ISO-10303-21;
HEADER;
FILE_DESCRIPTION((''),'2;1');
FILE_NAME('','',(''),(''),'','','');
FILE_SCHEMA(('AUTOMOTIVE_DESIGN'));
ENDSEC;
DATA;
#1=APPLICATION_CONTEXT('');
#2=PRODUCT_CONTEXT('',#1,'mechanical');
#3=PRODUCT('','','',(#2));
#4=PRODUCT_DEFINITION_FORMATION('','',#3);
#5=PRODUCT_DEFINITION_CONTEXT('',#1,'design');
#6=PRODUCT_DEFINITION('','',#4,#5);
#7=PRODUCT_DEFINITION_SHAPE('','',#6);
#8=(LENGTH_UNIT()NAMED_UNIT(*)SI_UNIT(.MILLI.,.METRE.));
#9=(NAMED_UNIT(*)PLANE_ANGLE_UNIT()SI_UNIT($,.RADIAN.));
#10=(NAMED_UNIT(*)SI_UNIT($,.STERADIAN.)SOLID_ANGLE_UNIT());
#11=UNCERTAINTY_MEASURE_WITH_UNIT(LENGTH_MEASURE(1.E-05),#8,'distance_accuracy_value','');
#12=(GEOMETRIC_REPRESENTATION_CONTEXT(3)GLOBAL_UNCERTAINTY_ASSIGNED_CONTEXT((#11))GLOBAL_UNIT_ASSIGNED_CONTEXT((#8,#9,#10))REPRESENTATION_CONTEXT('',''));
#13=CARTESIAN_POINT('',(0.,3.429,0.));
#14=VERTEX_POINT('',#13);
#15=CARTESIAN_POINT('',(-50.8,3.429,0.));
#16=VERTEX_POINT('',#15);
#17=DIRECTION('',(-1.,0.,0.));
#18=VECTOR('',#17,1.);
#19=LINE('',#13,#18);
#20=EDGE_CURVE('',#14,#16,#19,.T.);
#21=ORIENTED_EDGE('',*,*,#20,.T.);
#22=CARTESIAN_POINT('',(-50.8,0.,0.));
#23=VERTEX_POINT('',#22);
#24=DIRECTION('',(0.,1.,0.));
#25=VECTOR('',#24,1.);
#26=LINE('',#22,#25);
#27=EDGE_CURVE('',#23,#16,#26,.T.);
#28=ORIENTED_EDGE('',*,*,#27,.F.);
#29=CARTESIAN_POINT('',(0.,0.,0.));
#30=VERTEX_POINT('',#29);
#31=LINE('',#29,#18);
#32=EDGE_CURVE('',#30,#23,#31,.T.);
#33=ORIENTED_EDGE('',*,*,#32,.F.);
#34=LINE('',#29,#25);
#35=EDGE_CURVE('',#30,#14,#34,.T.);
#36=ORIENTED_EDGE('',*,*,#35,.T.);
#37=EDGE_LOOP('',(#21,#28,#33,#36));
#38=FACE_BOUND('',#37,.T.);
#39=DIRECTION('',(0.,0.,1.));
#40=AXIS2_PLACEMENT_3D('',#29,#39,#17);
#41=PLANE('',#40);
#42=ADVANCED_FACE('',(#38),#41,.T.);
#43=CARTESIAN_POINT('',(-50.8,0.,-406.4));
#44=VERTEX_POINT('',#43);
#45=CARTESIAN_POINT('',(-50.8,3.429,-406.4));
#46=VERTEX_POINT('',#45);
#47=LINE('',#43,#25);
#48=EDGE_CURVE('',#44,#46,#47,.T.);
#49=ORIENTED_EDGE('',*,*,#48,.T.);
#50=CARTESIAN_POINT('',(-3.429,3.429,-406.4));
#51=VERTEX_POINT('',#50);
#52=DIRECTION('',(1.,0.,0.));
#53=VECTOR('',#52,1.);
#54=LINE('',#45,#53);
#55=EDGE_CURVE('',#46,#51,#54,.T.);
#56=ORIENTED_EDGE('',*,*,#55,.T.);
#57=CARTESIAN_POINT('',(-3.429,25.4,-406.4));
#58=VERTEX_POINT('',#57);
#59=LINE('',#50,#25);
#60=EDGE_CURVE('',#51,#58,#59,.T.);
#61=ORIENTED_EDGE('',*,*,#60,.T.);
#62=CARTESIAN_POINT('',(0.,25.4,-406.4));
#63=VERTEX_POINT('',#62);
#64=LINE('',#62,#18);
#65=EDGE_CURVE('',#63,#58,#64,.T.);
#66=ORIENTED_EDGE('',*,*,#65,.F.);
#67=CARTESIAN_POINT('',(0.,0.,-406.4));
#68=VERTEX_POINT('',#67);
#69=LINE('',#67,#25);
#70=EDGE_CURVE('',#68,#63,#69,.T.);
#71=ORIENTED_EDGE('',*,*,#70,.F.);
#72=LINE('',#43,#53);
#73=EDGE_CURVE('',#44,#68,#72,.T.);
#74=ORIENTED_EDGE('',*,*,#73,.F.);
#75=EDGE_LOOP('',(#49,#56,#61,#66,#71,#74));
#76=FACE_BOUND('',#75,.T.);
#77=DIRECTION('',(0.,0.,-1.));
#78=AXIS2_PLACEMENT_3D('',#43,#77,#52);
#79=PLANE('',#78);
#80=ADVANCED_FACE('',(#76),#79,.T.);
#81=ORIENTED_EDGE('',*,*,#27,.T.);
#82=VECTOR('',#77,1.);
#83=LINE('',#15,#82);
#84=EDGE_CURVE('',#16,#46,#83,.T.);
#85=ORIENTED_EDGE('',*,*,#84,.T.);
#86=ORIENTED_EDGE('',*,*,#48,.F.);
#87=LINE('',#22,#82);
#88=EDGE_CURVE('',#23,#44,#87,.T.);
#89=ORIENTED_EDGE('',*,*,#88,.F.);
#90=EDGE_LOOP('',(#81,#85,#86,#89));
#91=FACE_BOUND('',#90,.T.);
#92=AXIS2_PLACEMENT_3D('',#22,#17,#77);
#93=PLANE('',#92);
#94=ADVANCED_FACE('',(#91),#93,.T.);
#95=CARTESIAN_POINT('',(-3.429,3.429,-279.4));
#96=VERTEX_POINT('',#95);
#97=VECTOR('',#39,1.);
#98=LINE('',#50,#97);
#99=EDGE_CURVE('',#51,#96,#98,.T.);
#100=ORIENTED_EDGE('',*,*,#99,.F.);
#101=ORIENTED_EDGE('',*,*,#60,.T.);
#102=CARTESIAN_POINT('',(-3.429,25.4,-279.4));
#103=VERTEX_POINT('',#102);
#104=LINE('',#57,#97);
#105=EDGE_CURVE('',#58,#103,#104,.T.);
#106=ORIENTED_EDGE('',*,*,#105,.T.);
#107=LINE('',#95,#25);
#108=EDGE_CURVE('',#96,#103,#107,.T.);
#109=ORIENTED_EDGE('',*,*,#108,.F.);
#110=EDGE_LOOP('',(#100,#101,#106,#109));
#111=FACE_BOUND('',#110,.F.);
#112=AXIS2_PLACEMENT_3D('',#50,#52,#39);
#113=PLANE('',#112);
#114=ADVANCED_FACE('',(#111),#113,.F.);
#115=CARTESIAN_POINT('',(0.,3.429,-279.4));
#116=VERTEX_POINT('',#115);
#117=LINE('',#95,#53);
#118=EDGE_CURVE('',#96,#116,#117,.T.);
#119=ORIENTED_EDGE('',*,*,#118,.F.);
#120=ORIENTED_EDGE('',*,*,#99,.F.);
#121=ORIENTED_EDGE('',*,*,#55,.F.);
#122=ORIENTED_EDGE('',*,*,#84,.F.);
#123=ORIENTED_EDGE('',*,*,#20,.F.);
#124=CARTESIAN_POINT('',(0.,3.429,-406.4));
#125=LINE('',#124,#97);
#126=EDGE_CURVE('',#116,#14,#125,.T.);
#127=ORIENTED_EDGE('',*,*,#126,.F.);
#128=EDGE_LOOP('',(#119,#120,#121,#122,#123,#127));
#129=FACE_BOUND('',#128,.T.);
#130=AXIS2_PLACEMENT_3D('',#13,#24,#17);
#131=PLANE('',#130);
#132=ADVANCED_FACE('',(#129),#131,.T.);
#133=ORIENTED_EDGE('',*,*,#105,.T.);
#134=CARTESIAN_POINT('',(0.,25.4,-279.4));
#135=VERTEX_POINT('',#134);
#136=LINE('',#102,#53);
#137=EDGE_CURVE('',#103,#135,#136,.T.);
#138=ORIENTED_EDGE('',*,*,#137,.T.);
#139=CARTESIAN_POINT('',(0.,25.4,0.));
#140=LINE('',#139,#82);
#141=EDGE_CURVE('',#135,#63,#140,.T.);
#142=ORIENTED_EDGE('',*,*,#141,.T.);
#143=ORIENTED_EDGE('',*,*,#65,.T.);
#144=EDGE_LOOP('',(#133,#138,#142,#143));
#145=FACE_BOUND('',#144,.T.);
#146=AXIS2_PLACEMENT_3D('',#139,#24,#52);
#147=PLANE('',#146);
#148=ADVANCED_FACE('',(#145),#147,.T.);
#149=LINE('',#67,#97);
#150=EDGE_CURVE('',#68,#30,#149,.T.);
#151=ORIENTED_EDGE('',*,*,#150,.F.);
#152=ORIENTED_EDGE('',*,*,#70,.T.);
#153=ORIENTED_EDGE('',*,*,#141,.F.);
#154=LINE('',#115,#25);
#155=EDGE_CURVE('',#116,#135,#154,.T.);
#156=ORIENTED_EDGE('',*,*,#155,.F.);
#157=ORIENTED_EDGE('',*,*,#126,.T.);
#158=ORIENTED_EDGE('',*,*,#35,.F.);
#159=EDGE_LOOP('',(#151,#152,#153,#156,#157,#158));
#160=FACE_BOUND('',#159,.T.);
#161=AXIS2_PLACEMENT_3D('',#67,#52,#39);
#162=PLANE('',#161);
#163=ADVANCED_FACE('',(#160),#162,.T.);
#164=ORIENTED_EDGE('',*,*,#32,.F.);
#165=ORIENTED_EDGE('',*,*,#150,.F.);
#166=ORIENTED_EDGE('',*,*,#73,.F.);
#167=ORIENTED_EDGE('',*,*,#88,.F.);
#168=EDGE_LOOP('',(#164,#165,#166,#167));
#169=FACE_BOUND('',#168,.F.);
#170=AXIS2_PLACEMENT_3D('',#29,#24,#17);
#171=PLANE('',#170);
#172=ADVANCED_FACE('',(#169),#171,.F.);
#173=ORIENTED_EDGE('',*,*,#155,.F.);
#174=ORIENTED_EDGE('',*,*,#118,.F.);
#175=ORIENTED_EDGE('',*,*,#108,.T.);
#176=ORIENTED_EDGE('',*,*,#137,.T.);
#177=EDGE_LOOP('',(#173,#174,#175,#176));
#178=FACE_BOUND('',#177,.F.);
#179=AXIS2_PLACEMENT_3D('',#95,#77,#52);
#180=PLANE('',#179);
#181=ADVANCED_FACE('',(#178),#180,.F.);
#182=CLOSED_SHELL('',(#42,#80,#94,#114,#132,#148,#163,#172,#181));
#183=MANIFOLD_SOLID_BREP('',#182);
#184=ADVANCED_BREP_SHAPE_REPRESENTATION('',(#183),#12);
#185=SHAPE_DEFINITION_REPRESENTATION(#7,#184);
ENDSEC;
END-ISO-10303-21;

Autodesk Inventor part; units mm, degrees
ref_plane "YZ Plane" through (0, 0, 0) normal (1, 0, 0) x (0, 1, 0)
ref_plane "XZ Plane" through (0, 0, 0) normal (0, 1, 0) x (-1, 0, 0)
ref_plane "XY Plane" through (0, 0, 0) normal (0, 0, 1) x (1, 0, 0)
sketch "Sketch1" plane through (0, 0, 0) normal (0, 1, 0) x (-1, 0, 0)
  line L0 (0, 0) -> (50.8, 0)
  line L1 (50.8, 0) -> (50.8, -406.4)
  line L2 (50.8, -406.4) -> (0, -406.4)
  line L3 (0, -406.4) -> (0, 0)
  dimension "d0" = 50.8
  dimension "d1" = 406.4
extrude "Extrusion1" add sketch "Sketch1" along normal blind 3.429
sketch "Sketch2" plane through (0, 3.429, 0) normal (0, 1, 0) x (1, 0, 0)
  line L0 (0, 0) -> (0, 406.4) projected
  line L1 (0, 406.4) -> (-3.429, 406.4)
  line L2 (-3.429, 406.4) -> (-3.429, 279.4)
  line L3 (-3.429, 279.4) -> (0, 279.4)
  line L4 (0, 279.4) -> (0, 406.4)
  dimension "d4" = 3.429
  dimension "d5" = 127
extrude "Extrusion2" add sketch "Sketch2" along normal blind 21.971
properties part number "arm right"
